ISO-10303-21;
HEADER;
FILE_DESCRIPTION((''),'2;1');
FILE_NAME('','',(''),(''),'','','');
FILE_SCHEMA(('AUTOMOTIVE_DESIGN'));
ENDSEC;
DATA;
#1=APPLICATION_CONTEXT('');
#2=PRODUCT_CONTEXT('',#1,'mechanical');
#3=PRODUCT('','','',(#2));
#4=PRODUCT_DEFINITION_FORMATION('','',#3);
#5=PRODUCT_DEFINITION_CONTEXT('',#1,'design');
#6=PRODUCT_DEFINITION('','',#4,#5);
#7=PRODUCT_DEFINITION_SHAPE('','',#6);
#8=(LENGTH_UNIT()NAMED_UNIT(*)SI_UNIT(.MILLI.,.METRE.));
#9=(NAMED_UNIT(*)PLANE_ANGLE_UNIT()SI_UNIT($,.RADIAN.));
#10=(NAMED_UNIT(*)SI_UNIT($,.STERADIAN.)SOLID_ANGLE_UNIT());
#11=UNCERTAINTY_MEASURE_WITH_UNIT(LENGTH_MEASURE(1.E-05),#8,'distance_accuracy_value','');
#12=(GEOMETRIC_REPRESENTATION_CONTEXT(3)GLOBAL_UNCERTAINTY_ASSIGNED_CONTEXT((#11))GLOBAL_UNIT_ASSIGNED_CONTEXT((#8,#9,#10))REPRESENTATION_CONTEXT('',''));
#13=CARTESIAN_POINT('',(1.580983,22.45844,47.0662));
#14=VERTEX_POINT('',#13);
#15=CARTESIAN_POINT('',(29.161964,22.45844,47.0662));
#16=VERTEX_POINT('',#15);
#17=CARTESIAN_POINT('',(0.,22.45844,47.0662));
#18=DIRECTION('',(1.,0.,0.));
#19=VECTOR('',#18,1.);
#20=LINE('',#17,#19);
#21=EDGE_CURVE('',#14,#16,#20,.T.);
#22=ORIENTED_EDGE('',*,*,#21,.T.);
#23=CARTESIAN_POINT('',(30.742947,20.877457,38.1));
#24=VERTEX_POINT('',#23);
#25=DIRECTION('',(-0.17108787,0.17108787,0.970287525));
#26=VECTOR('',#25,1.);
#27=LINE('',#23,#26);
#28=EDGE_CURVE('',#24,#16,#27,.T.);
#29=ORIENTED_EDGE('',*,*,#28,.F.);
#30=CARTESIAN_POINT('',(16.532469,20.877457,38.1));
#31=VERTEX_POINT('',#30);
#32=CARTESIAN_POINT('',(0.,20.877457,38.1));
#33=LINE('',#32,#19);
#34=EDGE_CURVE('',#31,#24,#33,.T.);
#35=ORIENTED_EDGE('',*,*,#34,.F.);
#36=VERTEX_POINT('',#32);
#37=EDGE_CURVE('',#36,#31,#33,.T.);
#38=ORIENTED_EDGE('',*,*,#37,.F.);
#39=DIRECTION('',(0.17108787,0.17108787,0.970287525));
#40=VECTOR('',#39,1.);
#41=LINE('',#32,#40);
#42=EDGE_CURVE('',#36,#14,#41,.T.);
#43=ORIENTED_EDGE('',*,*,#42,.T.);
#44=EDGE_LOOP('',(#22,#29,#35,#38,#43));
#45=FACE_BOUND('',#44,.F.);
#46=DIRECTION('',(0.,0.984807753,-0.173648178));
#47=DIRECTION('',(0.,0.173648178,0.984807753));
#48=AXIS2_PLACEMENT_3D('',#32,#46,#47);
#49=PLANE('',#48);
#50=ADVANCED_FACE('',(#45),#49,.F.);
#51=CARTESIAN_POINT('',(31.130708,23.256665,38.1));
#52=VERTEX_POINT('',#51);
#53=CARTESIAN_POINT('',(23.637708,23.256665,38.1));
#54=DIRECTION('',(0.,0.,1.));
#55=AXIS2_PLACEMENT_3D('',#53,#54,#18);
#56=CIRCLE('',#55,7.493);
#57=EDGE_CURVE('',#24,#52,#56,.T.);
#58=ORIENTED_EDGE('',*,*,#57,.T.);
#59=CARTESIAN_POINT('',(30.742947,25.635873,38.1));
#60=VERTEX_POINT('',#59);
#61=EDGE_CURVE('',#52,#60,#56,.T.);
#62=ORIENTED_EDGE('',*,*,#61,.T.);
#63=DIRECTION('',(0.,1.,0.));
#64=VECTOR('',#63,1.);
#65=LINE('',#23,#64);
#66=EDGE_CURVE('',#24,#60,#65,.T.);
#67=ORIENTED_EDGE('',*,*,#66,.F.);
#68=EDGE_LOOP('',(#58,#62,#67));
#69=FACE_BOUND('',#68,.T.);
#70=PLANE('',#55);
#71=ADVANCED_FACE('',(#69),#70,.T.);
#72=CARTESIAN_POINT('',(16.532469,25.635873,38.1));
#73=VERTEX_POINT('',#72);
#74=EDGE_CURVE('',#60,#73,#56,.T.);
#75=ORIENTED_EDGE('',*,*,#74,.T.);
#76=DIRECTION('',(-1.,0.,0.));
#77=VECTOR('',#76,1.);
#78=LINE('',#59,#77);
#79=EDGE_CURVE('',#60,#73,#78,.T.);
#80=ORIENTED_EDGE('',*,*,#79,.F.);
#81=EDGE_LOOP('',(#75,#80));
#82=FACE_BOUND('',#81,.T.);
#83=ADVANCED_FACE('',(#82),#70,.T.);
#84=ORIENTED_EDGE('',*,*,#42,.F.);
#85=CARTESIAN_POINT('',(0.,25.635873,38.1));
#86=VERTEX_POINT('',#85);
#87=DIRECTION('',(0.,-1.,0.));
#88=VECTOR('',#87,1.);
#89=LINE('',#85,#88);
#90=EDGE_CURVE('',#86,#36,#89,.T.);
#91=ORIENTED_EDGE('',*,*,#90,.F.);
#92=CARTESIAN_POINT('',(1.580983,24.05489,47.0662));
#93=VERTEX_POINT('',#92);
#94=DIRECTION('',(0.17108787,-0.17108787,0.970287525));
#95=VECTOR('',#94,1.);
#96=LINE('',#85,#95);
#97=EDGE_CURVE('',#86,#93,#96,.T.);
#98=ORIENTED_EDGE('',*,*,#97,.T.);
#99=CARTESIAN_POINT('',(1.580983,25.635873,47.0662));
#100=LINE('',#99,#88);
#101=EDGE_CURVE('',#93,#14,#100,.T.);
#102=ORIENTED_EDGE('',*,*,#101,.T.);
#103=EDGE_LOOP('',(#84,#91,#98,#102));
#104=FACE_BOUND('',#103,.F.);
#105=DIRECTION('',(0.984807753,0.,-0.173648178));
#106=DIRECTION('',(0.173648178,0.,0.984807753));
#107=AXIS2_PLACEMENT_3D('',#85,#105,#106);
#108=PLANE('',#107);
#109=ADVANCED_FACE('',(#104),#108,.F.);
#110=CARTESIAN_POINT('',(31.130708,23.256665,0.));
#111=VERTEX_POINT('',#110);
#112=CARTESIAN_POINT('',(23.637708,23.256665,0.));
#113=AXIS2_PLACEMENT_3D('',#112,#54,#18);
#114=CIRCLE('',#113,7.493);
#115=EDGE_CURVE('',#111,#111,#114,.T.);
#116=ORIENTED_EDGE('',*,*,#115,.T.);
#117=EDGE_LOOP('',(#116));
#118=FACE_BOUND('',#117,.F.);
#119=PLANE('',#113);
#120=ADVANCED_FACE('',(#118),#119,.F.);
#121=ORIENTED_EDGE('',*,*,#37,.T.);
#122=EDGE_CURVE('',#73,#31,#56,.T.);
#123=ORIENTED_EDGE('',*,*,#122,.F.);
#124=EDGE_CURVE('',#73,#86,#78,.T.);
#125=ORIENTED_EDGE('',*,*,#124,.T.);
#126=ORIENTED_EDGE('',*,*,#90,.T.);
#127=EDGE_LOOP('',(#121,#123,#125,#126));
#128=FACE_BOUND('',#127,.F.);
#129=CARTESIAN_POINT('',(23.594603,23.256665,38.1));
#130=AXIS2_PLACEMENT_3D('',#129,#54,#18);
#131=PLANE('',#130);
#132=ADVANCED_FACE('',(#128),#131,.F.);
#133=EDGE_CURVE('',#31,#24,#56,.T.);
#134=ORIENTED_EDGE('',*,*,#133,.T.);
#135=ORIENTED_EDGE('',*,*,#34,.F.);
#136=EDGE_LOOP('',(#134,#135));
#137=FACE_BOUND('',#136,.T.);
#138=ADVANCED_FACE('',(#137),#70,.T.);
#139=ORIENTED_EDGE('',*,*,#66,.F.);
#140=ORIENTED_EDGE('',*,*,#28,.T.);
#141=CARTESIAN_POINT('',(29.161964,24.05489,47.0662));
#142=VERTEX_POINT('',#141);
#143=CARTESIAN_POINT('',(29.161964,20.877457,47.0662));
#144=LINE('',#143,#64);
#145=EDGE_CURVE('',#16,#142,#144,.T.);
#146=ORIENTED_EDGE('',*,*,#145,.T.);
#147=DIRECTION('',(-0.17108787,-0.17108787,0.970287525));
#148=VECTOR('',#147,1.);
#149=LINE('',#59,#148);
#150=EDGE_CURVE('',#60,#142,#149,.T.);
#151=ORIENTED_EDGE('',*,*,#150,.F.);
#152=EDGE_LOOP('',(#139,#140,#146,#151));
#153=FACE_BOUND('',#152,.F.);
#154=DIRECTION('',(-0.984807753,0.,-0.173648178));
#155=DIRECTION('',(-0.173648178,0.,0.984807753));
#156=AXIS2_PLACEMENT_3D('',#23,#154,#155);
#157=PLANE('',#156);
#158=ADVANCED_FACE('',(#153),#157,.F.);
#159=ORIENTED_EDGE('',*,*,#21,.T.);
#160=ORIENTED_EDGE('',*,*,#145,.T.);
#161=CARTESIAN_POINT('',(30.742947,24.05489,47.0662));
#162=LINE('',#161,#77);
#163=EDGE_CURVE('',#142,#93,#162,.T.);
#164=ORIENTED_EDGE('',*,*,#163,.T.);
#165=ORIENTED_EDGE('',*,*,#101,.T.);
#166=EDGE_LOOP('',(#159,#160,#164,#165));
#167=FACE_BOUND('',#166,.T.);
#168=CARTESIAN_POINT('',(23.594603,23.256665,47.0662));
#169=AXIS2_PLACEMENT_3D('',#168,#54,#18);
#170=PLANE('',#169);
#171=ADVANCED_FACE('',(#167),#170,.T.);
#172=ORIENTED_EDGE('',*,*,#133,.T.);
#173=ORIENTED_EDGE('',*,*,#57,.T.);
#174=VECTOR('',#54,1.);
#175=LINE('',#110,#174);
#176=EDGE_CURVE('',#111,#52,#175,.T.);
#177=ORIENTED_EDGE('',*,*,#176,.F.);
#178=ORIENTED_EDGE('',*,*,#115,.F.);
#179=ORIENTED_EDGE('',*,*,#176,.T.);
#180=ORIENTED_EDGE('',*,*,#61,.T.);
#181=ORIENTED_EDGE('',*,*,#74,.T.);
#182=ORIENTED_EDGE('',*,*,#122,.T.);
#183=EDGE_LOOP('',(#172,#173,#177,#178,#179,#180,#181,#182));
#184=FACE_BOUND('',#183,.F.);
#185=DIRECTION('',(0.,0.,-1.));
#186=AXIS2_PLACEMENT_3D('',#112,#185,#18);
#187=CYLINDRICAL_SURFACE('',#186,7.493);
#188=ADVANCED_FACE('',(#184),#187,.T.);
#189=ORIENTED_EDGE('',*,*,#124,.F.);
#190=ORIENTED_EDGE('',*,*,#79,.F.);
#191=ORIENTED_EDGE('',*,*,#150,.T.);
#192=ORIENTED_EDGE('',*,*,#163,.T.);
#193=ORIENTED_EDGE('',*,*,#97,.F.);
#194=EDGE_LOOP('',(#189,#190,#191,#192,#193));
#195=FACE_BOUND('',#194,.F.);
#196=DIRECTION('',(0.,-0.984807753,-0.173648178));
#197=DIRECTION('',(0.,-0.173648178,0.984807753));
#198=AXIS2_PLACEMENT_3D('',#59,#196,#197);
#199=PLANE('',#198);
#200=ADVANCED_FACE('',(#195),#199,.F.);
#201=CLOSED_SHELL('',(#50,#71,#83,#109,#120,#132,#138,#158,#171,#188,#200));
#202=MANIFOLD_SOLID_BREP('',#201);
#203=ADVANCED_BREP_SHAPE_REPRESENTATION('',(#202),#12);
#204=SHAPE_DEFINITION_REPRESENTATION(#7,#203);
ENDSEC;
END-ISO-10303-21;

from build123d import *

# Parameters (mm, degrees)
F0_R     = 7.493
F1_DEPTH = 38.1
F3_DEPTH = 8.9662
F3_TAPER = 10


with BuildPart() as f1:
    # F0 (on Top) → F1 (new body)
    with BuildSketch(Plane.XY):
        with Locations((23.6377082765, 23.2566650957)):
            Circle(F0_R)
    extrude(amount=F1_DEPTH)

    # F2 (on face) → F3 (join)
    with BuildSketch(Plane.XY.offset(38.1)):
        with BuildLine():
            ThreePointArc((16.5324694557, 25.6358730098), (16.1447082765, 23.2566650957), (16.5324694557, 20.8774571815))
            Line((16.5324694557, 20.8774571815), (30.7429470974, 20.8774571815))
            Line((30.7429470974, 20.8774571815), (30.7429470974, 25.6358730098))
            Line((30.7429470974, 25.6358730098), (16.5324694557, 25.6358730098))
        make_face()
        with BuildLine():
            Line((0, 25.6358730098), (0, 20.8774571815))
            Line((0, 20.8774571815), (16.5324694557, 20.8774571815))
            ThreePointArc((16.5324694557, 20.8774571815), (16.1447082765, 23.2566650957), (16.5324694557, 25.6358730098))
            Line((16.5324694557, 25.6358730098), (0, 25.6358730098))
        make_face()
    extrude(amount=F3_DEPTH, taper=F3_TAPER)


solid = f1.part
